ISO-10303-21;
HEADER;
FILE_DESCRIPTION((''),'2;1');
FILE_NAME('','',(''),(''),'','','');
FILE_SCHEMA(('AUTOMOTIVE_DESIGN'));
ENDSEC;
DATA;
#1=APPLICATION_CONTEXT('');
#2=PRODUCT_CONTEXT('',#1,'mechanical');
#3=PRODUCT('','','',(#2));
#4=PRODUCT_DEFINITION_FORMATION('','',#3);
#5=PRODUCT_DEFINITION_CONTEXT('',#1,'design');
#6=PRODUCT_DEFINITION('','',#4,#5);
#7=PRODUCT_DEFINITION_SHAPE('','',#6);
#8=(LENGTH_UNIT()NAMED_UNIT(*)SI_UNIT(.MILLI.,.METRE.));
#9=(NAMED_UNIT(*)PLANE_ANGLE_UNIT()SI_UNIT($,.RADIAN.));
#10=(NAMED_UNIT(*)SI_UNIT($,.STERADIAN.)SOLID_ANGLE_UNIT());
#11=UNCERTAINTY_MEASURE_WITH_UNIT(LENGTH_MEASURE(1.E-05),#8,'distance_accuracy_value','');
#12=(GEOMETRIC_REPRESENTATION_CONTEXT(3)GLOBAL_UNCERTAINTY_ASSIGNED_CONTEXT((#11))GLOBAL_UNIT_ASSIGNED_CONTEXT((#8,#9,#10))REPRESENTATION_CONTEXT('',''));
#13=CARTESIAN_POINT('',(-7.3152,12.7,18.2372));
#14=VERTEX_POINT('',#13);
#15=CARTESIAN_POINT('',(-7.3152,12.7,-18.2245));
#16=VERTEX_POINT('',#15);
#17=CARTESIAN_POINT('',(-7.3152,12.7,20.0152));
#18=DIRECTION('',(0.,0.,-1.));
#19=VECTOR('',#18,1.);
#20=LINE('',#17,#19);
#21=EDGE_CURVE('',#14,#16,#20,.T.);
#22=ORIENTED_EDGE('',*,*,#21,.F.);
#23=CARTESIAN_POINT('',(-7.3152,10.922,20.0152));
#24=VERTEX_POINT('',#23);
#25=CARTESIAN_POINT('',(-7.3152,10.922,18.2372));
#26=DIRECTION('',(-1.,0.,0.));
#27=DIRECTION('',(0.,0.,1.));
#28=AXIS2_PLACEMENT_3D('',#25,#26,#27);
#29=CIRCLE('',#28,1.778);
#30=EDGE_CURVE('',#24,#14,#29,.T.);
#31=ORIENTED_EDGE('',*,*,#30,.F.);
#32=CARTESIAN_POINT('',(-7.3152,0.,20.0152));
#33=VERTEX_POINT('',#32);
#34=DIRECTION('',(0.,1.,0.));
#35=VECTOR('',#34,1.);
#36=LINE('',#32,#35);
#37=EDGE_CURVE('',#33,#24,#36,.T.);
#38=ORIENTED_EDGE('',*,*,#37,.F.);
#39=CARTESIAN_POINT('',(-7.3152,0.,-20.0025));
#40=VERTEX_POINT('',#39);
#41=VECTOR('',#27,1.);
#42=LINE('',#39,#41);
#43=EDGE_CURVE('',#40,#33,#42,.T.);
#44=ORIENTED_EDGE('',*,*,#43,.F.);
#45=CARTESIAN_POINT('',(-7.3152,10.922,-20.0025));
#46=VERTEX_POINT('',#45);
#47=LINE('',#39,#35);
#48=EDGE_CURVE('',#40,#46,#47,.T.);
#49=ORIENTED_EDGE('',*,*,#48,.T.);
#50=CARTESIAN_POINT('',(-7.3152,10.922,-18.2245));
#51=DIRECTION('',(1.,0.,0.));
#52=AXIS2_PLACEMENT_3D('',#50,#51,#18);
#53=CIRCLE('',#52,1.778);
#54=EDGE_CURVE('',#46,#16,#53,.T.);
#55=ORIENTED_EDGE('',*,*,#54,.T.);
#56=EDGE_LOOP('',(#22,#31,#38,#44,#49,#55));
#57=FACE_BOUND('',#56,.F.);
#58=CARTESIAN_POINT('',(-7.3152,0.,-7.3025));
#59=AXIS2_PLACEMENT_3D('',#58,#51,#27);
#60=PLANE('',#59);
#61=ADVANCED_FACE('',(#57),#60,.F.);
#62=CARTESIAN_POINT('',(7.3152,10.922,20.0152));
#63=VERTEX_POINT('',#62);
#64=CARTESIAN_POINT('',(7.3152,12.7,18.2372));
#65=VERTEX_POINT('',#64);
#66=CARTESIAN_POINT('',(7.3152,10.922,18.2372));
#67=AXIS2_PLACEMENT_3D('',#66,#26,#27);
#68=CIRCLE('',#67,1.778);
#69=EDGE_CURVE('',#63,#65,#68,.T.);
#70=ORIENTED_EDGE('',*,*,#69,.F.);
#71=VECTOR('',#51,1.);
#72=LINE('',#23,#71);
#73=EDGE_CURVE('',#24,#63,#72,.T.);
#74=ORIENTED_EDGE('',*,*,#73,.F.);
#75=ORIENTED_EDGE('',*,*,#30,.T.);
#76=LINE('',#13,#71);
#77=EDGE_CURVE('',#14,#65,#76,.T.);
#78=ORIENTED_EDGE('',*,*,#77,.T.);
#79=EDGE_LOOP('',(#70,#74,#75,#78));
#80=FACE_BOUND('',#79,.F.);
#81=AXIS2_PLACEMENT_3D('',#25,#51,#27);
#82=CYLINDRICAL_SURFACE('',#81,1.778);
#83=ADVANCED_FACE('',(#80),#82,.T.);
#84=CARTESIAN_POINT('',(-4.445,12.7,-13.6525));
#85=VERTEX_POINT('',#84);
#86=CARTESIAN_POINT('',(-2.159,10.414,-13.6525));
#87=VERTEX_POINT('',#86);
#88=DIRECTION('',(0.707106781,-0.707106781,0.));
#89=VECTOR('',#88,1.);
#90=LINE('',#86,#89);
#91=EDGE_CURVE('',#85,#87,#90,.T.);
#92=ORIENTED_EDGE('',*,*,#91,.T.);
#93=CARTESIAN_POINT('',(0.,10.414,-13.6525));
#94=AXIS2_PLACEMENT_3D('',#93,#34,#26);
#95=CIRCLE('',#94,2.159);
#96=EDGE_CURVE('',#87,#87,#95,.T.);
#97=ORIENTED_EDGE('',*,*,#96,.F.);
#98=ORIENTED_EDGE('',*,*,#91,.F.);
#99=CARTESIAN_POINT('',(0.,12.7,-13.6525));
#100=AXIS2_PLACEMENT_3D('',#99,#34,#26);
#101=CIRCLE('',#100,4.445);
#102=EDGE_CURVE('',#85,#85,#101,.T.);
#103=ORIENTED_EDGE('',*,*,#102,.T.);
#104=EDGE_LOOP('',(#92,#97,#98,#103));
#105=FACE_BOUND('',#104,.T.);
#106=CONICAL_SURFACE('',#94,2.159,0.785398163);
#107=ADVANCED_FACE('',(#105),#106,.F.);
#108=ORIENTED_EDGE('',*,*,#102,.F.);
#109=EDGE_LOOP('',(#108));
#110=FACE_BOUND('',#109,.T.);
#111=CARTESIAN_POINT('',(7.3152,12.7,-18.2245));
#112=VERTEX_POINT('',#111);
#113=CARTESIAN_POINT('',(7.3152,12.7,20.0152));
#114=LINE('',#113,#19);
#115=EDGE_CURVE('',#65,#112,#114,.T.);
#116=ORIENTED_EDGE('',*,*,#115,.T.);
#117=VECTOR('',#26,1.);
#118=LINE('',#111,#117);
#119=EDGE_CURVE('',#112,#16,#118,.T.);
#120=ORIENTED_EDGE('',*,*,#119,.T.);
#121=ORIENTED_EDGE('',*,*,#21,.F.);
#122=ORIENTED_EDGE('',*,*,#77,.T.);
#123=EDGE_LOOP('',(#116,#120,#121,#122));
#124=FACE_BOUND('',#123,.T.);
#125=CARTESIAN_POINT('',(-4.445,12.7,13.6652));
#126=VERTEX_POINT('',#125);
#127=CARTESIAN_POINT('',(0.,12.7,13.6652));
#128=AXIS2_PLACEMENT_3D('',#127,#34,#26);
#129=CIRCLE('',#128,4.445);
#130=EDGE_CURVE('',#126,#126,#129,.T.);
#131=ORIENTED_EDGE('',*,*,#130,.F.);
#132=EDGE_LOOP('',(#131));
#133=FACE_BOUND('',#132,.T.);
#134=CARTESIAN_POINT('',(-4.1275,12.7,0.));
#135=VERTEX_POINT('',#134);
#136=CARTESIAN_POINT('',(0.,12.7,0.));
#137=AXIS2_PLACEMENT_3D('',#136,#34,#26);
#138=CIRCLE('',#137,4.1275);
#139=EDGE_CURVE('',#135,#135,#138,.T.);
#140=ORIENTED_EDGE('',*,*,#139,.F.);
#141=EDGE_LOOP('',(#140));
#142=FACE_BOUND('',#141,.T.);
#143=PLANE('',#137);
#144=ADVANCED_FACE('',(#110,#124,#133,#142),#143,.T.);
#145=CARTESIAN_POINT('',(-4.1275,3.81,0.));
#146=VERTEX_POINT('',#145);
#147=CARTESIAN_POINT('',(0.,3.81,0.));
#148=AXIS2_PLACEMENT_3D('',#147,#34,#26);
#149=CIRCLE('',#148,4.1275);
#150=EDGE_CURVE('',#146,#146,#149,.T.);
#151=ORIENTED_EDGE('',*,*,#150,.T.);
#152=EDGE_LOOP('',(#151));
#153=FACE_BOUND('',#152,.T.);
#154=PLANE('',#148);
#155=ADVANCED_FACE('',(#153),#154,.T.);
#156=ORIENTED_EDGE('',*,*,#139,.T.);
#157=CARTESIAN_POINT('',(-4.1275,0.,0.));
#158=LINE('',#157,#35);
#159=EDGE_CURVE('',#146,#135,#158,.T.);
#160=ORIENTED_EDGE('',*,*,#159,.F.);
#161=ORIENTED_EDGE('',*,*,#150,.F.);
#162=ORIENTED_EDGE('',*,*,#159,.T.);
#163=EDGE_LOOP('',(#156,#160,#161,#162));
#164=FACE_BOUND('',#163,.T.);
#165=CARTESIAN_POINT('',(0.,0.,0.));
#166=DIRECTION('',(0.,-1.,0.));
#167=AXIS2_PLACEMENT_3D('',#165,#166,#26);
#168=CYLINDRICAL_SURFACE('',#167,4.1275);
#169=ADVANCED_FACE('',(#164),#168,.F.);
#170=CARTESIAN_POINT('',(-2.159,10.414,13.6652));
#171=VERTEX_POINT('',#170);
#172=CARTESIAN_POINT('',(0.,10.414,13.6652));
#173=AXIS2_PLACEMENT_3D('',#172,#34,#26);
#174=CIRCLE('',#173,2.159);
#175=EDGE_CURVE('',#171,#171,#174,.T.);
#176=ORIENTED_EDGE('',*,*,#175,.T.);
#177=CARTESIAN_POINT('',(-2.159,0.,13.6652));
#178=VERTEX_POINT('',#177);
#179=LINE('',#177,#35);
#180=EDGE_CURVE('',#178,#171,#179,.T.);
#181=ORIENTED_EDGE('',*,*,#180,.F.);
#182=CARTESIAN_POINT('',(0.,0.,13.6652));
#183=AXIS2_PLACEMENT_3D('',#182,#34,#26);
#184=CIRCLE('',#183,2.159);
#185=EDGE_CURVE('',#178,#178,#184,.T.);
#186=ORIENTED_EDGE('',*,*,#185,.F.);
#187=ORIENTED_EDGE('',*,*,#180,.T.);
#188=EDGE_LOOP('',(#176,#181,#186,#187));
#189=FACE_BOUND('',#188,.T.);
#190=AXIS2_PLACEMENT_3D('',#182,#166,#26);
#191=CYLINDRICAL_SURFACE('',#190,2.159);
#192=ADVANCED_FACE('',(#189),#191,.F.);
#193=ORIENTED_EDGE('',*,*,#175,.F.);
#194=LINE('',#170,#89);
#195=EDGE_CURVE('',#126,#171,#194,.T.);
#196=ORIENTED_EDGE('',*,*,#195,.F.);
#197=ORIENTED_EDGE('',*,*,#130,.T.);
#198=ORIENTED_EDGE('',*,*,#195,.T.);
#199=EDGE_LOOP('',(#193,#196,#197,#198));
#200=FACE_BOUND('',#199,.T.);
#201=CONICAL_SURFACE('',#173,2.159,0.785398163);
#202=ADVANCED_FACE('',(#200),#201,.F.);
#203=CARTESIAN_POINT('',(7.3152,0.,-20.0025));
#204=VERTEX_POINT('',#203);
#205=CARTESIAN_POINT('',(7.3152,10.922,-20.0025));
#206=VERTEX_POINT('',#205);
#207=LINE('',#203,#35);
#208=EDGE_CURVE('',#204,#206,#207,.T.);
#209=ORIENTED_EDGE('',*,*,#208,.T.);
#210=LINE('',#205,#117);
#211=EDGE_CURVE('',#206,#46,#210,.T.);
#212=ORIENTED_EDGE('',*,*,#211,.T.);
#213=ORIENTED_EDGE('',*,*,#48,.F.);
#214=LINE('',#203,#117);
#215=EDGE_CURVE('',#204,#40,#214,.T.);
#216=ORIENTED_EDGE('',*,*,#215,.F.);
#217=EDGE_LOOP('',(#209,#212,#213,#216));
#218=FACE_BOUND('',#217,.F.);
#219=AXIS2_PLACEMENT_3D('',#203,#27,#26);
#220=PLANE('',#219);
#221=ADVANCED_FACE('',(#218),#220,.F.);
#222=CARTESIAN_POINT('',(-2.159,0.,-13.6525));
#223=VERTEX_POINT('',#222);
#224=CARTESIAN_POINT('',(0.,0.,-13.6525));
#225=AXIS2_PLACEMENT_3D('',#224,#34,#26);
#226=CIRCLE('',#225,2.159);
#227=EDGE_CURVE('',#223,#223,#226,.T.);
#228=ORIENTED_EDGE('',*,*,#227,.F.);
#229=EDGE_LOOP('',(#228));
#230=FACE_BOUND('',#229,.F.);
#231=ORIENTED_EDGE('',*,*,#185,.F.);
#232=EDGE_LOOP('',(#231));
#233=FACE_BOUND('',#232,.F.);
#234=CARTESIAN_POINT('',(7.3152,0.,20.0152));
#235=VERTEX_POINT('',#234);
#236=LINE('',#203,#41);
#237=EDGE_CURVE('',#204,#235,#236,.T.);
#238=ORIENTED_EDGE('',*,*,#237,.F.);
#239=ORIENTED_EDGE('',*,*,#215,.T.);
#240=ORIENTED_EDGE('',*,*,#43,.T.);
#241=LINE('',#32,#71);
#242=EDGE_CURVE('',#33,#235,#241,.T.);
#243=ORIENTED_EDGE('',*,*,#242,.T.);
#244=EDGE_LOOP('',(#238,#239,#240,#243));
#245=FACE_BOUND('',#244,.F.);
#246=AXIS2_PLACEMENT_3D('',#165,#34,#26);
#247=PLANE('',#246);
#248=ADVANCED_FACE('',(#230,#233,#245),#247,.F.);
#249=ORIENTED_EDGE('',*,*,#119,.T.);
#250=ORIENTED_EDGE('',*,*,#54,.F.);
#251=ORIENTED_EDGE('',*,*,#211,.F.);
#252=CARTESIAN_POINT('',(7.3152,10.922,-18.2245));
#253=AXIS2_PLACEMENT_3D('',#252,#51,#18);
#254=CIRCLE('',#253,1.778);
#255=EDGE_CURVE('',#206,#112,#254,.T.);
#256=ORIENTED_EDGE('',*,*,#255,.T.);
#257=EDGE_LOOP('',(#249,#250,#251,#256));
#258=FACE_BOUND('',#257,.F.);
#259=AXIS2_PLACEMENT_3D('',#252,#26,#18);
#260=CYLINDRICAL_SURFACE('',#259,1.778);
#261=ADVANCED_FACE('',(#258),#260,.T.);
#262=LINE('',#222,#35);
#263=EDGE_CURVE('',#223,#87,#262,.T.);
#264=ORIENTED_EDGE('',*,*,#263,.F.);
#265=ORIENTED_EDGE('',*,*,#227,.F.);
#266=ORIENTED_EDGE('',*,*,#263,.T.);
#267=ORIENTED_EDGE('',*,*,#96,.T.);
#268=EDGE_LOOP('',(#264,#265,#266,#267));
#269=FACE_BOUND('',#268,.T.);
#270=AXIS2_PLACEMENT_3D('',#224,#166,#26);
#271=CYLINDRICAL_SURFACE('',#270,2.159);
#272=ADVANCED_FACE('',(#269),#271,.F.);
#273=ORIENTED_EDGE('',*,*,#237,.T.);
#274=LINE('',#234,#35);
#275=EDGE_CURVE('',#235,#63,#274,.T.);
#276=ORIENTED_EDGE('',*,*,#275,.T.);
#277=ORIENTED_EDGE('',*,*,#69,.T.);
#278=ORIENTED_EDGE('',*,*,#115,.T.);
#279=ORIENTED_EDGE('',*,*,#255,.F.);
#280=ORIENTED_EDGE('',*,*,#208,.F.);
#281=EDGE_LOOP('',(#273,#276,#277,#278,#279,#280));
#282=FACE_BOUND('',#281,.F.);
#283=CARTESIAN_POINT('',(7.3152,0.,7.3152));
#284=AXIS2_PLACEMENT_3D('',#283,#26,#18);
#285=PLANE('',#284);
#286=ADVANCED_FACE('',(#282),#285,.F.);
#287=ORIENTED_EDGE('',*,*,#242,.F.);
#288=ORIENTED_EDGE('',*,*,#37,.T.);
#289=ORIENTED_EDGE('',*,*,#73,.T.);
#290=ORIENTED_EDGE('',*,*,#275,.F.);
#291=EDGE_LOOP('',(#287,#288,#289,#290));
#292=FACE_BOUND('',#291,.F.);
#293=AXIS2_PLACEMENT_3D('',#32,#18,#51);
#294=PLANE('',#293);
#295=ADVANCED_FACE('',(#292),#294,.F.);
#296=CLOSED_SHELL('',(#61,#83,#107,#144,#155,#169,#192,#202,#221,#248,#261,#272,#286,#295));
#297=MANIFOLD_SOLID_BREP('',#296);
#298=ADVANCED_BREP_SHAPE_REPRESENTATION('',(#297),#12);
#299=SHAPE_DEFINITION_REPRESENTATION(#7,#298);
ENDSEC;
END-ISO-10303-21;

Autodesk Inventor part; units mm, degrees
ref_plane "YZ Plane" through (0, 0, 0) normal (1, 0, 0) x (0, 1, 0)
ref_plane "XZ Plane" through (0, 0, 0) normal (0, 1, 0) x (-1, 0, 0)
ref_plane "XY Plane" through (0, 0, 0) normal (0, 0, 1) x (1, 0, 0)
sketch "Sketch1" plane through (0, 0, 0) normal (0, 1, 0) x (-1, 0, 0)
  circle A0 centre (0, 0) radius 4.1275
  line L0 (7.3152, 7.3152) -> (-7.3152, 7.3152)
  line L1 (-7.3152, 7.3152) -> (-7.3152, -7.3025)
  line L2 (-7.3152, -7.3025) -> (7.3152, -7.3025)
  line L3 (7.3152, -7.3025) -> (7.3152, 7.3152)
  line L4 (7.3152, 20.0152) -> (-7.3152, 20.0152)
  line L5 (-7.3152, 20.0152) -> (-7.3152, -20.0025)
  line L6 (-7.3152, -20.0025) -> (7.3152, -20.0025)
  line L7 (7.3152, -20.0025) -> (7.3152, 20.0152)
  circle A1 centre (0, 13.6652) radius 2.159
  circle A2 centre (0, -13.6525) radius 2.159
  line L8 (7.3152, 7.3152) -> (20.0152, 7.3152)
  line L9 (20.0152, 7.3152) -> (20.0152, -7.3025)
  line L10 (20.0152, -7.3025) -> (7.3152, -7.3025)
  line L11 (7.3152, -7.3025) -> (7.3152, 7.3152)
  line L12 (-7.3152, 7.3152) -> (-20.0152, 7.3152)
  line L13 (-20.0152, 7.3152) -> (-20.0152, -7.3025)
  line L14 (-20.0152, -7.3025) -> (-7.3152, -7.3025)
  line L15 (-7.3152, -7.3025) -> (-7.3152, 7.3152)
  circle A3 centre (13.6652, 0.0063) radius 1.9812
  circle A4 centre (-13.6652, 0.0063) radius 1.9812
  point P0 (-7.3152, 7.3152)
  point P1 (-7.3152, -7.3025)
  point P2 (-7.3152, -7.3025)
  dimension "d0" = 8.255
  dimension "d1" = 7.3025
  dimension "d2" = 7.3152
  dimension "d3" = 7.3152
  dimension "d4" = 7.3152
  dimension "d5" = 4.318
  dimension "d6" = 4.318
  dimension "d7" = 12.7
  dimension "d8" = 12.7
  dimension "d9" = 6.35
  dimension "d10" = 6.35
  dimension "d23" = 12.7
  dimension "d24" = 12.7
  dimension "d25" = 3.9624
  dimension "d26" = 3.9624
extrude "Extrusion1" add sketch "Sketch1" along normal blind 12.7 contours L3 L2 L1 L0 | L0 L5 L4 L7 | L7 L6 L5 L2
extrude "Extrusion3" add sketch "Sketch1" along normal blind 3.81 contours A0
fillet "Fillet5" radius 1.778 2 edges at (0, 12.7, 20.0152) (0, 12.7, -20.0025)
chamfer "Chamfer2" distance 2.286 angle 45 2 edges at (2.159, 12.7, 13.6652) (2.159, 12.7, -13.6525)
properties part number "Rod Holder Top V1_3DPrint"
